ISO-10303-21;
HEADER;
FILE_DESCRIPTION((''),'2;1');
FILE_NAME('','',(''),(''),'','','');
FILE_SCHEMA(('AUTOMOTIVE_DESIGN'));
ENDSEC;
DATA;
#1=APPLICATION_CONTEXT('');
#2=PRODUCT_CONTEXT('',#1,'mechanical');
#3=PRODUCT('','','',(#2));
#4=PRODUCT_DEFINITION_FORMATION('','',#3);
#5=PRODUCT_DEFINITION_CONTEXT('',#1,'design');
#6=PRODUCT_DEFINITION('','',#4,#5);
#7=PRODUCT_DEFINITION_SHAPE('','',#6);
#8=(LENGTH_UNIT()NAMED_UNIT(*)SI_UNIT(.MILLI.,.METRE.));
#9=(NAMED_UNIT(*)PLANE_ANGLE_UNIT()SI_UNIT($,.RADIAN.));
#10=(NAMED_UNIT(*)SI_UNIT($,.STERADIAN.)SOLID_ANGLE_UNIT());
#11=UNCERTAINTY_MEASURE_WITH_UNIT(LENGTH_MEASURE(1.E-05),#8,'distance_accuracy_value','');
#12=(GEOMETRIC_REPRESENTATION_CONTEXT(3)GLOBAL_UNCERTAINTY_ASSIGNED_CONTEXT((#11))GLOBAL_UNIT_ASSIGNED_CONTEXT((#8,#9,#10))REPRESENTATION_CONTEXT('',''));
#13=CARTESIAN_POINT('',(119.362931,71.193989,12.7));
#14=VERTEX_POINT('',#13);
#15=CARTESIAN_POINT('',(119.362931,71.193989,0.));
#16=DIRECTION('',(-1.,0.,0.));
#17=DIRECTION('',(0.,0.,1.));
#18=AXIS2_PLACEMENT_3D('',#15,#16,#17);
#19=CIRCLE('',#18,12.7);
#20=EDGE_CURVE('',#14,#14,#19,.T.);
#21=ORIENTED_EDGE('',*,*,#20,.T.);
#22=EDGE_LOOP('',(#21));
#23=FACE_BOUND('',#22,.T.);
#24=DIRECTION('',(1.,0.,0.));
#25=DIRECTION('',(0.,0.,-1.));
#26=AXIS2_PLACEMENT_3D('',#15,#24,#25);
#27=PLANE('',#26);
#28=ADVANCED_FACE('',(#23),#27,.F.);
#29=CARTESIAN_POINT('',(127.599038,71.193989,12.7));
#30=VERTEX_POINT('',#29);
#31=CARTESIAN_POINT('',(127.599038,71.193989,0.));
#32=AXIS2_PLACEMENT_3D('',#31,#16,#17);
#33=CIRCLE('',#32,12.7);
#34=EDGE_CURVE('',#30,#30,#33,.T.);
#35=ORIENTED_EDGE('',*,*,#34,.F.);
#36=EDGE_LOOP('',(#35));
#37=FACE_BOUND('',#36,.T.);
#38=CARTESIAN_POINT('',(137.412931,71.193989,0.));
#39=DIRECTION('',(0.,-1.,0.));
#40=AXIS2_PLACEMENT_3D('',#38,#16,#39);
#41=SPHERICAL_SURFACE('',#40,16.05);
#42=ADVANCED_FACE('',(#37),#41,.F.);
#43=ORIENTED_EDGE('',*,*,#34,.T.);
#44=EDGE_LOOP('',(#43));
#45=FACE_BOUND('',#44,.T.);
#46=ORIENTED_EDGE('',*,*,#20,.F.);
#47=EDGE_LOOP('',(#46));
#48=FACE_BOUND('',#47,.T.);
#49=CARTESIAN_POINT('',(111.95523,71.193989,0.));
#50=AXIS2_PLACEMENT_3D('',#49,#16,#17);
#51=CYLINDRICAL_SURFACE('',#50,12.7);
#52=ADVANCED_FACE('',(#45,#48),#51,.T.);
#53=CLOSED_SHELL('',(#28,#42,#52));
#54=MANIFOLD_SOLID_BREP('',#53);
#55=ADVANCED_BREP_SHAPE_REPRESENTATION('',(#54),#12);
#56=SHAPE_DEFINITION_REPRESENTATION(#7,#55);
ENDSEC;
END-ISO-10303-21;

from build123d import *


with BuildPart() as part:
    # 草图1 → 旋转1 (revolve)
    with BuildSketch(Plane.XY, mode=Mode.PRIVATE) as revolve_1_sk:
        with BuildLine():
            Line((119.362930792, 71.193989087), (119.362930792, 83.893989087))
            Line((119.362930792, 83.893989087), (127.599037579, 83.893989087))
            ThreePointArc((127.599037579, 83.893989087), (123.006066351, 78.268220986), (121.362930792, 71.193989087))
            Line((121.362930792, 71.193989087), (119.362930792, 71.193989087))
        make_face()
    revolve(revolve_1_sk.sketch.rotate(Axis((111.955229758, 71.193989087, 0), (1, 0, 0)), 180), axis=Axis((111.955229758, 71.193989087, 0), (1, 0, 0)))  # turned: the seam where the file's is


solid = part.part
